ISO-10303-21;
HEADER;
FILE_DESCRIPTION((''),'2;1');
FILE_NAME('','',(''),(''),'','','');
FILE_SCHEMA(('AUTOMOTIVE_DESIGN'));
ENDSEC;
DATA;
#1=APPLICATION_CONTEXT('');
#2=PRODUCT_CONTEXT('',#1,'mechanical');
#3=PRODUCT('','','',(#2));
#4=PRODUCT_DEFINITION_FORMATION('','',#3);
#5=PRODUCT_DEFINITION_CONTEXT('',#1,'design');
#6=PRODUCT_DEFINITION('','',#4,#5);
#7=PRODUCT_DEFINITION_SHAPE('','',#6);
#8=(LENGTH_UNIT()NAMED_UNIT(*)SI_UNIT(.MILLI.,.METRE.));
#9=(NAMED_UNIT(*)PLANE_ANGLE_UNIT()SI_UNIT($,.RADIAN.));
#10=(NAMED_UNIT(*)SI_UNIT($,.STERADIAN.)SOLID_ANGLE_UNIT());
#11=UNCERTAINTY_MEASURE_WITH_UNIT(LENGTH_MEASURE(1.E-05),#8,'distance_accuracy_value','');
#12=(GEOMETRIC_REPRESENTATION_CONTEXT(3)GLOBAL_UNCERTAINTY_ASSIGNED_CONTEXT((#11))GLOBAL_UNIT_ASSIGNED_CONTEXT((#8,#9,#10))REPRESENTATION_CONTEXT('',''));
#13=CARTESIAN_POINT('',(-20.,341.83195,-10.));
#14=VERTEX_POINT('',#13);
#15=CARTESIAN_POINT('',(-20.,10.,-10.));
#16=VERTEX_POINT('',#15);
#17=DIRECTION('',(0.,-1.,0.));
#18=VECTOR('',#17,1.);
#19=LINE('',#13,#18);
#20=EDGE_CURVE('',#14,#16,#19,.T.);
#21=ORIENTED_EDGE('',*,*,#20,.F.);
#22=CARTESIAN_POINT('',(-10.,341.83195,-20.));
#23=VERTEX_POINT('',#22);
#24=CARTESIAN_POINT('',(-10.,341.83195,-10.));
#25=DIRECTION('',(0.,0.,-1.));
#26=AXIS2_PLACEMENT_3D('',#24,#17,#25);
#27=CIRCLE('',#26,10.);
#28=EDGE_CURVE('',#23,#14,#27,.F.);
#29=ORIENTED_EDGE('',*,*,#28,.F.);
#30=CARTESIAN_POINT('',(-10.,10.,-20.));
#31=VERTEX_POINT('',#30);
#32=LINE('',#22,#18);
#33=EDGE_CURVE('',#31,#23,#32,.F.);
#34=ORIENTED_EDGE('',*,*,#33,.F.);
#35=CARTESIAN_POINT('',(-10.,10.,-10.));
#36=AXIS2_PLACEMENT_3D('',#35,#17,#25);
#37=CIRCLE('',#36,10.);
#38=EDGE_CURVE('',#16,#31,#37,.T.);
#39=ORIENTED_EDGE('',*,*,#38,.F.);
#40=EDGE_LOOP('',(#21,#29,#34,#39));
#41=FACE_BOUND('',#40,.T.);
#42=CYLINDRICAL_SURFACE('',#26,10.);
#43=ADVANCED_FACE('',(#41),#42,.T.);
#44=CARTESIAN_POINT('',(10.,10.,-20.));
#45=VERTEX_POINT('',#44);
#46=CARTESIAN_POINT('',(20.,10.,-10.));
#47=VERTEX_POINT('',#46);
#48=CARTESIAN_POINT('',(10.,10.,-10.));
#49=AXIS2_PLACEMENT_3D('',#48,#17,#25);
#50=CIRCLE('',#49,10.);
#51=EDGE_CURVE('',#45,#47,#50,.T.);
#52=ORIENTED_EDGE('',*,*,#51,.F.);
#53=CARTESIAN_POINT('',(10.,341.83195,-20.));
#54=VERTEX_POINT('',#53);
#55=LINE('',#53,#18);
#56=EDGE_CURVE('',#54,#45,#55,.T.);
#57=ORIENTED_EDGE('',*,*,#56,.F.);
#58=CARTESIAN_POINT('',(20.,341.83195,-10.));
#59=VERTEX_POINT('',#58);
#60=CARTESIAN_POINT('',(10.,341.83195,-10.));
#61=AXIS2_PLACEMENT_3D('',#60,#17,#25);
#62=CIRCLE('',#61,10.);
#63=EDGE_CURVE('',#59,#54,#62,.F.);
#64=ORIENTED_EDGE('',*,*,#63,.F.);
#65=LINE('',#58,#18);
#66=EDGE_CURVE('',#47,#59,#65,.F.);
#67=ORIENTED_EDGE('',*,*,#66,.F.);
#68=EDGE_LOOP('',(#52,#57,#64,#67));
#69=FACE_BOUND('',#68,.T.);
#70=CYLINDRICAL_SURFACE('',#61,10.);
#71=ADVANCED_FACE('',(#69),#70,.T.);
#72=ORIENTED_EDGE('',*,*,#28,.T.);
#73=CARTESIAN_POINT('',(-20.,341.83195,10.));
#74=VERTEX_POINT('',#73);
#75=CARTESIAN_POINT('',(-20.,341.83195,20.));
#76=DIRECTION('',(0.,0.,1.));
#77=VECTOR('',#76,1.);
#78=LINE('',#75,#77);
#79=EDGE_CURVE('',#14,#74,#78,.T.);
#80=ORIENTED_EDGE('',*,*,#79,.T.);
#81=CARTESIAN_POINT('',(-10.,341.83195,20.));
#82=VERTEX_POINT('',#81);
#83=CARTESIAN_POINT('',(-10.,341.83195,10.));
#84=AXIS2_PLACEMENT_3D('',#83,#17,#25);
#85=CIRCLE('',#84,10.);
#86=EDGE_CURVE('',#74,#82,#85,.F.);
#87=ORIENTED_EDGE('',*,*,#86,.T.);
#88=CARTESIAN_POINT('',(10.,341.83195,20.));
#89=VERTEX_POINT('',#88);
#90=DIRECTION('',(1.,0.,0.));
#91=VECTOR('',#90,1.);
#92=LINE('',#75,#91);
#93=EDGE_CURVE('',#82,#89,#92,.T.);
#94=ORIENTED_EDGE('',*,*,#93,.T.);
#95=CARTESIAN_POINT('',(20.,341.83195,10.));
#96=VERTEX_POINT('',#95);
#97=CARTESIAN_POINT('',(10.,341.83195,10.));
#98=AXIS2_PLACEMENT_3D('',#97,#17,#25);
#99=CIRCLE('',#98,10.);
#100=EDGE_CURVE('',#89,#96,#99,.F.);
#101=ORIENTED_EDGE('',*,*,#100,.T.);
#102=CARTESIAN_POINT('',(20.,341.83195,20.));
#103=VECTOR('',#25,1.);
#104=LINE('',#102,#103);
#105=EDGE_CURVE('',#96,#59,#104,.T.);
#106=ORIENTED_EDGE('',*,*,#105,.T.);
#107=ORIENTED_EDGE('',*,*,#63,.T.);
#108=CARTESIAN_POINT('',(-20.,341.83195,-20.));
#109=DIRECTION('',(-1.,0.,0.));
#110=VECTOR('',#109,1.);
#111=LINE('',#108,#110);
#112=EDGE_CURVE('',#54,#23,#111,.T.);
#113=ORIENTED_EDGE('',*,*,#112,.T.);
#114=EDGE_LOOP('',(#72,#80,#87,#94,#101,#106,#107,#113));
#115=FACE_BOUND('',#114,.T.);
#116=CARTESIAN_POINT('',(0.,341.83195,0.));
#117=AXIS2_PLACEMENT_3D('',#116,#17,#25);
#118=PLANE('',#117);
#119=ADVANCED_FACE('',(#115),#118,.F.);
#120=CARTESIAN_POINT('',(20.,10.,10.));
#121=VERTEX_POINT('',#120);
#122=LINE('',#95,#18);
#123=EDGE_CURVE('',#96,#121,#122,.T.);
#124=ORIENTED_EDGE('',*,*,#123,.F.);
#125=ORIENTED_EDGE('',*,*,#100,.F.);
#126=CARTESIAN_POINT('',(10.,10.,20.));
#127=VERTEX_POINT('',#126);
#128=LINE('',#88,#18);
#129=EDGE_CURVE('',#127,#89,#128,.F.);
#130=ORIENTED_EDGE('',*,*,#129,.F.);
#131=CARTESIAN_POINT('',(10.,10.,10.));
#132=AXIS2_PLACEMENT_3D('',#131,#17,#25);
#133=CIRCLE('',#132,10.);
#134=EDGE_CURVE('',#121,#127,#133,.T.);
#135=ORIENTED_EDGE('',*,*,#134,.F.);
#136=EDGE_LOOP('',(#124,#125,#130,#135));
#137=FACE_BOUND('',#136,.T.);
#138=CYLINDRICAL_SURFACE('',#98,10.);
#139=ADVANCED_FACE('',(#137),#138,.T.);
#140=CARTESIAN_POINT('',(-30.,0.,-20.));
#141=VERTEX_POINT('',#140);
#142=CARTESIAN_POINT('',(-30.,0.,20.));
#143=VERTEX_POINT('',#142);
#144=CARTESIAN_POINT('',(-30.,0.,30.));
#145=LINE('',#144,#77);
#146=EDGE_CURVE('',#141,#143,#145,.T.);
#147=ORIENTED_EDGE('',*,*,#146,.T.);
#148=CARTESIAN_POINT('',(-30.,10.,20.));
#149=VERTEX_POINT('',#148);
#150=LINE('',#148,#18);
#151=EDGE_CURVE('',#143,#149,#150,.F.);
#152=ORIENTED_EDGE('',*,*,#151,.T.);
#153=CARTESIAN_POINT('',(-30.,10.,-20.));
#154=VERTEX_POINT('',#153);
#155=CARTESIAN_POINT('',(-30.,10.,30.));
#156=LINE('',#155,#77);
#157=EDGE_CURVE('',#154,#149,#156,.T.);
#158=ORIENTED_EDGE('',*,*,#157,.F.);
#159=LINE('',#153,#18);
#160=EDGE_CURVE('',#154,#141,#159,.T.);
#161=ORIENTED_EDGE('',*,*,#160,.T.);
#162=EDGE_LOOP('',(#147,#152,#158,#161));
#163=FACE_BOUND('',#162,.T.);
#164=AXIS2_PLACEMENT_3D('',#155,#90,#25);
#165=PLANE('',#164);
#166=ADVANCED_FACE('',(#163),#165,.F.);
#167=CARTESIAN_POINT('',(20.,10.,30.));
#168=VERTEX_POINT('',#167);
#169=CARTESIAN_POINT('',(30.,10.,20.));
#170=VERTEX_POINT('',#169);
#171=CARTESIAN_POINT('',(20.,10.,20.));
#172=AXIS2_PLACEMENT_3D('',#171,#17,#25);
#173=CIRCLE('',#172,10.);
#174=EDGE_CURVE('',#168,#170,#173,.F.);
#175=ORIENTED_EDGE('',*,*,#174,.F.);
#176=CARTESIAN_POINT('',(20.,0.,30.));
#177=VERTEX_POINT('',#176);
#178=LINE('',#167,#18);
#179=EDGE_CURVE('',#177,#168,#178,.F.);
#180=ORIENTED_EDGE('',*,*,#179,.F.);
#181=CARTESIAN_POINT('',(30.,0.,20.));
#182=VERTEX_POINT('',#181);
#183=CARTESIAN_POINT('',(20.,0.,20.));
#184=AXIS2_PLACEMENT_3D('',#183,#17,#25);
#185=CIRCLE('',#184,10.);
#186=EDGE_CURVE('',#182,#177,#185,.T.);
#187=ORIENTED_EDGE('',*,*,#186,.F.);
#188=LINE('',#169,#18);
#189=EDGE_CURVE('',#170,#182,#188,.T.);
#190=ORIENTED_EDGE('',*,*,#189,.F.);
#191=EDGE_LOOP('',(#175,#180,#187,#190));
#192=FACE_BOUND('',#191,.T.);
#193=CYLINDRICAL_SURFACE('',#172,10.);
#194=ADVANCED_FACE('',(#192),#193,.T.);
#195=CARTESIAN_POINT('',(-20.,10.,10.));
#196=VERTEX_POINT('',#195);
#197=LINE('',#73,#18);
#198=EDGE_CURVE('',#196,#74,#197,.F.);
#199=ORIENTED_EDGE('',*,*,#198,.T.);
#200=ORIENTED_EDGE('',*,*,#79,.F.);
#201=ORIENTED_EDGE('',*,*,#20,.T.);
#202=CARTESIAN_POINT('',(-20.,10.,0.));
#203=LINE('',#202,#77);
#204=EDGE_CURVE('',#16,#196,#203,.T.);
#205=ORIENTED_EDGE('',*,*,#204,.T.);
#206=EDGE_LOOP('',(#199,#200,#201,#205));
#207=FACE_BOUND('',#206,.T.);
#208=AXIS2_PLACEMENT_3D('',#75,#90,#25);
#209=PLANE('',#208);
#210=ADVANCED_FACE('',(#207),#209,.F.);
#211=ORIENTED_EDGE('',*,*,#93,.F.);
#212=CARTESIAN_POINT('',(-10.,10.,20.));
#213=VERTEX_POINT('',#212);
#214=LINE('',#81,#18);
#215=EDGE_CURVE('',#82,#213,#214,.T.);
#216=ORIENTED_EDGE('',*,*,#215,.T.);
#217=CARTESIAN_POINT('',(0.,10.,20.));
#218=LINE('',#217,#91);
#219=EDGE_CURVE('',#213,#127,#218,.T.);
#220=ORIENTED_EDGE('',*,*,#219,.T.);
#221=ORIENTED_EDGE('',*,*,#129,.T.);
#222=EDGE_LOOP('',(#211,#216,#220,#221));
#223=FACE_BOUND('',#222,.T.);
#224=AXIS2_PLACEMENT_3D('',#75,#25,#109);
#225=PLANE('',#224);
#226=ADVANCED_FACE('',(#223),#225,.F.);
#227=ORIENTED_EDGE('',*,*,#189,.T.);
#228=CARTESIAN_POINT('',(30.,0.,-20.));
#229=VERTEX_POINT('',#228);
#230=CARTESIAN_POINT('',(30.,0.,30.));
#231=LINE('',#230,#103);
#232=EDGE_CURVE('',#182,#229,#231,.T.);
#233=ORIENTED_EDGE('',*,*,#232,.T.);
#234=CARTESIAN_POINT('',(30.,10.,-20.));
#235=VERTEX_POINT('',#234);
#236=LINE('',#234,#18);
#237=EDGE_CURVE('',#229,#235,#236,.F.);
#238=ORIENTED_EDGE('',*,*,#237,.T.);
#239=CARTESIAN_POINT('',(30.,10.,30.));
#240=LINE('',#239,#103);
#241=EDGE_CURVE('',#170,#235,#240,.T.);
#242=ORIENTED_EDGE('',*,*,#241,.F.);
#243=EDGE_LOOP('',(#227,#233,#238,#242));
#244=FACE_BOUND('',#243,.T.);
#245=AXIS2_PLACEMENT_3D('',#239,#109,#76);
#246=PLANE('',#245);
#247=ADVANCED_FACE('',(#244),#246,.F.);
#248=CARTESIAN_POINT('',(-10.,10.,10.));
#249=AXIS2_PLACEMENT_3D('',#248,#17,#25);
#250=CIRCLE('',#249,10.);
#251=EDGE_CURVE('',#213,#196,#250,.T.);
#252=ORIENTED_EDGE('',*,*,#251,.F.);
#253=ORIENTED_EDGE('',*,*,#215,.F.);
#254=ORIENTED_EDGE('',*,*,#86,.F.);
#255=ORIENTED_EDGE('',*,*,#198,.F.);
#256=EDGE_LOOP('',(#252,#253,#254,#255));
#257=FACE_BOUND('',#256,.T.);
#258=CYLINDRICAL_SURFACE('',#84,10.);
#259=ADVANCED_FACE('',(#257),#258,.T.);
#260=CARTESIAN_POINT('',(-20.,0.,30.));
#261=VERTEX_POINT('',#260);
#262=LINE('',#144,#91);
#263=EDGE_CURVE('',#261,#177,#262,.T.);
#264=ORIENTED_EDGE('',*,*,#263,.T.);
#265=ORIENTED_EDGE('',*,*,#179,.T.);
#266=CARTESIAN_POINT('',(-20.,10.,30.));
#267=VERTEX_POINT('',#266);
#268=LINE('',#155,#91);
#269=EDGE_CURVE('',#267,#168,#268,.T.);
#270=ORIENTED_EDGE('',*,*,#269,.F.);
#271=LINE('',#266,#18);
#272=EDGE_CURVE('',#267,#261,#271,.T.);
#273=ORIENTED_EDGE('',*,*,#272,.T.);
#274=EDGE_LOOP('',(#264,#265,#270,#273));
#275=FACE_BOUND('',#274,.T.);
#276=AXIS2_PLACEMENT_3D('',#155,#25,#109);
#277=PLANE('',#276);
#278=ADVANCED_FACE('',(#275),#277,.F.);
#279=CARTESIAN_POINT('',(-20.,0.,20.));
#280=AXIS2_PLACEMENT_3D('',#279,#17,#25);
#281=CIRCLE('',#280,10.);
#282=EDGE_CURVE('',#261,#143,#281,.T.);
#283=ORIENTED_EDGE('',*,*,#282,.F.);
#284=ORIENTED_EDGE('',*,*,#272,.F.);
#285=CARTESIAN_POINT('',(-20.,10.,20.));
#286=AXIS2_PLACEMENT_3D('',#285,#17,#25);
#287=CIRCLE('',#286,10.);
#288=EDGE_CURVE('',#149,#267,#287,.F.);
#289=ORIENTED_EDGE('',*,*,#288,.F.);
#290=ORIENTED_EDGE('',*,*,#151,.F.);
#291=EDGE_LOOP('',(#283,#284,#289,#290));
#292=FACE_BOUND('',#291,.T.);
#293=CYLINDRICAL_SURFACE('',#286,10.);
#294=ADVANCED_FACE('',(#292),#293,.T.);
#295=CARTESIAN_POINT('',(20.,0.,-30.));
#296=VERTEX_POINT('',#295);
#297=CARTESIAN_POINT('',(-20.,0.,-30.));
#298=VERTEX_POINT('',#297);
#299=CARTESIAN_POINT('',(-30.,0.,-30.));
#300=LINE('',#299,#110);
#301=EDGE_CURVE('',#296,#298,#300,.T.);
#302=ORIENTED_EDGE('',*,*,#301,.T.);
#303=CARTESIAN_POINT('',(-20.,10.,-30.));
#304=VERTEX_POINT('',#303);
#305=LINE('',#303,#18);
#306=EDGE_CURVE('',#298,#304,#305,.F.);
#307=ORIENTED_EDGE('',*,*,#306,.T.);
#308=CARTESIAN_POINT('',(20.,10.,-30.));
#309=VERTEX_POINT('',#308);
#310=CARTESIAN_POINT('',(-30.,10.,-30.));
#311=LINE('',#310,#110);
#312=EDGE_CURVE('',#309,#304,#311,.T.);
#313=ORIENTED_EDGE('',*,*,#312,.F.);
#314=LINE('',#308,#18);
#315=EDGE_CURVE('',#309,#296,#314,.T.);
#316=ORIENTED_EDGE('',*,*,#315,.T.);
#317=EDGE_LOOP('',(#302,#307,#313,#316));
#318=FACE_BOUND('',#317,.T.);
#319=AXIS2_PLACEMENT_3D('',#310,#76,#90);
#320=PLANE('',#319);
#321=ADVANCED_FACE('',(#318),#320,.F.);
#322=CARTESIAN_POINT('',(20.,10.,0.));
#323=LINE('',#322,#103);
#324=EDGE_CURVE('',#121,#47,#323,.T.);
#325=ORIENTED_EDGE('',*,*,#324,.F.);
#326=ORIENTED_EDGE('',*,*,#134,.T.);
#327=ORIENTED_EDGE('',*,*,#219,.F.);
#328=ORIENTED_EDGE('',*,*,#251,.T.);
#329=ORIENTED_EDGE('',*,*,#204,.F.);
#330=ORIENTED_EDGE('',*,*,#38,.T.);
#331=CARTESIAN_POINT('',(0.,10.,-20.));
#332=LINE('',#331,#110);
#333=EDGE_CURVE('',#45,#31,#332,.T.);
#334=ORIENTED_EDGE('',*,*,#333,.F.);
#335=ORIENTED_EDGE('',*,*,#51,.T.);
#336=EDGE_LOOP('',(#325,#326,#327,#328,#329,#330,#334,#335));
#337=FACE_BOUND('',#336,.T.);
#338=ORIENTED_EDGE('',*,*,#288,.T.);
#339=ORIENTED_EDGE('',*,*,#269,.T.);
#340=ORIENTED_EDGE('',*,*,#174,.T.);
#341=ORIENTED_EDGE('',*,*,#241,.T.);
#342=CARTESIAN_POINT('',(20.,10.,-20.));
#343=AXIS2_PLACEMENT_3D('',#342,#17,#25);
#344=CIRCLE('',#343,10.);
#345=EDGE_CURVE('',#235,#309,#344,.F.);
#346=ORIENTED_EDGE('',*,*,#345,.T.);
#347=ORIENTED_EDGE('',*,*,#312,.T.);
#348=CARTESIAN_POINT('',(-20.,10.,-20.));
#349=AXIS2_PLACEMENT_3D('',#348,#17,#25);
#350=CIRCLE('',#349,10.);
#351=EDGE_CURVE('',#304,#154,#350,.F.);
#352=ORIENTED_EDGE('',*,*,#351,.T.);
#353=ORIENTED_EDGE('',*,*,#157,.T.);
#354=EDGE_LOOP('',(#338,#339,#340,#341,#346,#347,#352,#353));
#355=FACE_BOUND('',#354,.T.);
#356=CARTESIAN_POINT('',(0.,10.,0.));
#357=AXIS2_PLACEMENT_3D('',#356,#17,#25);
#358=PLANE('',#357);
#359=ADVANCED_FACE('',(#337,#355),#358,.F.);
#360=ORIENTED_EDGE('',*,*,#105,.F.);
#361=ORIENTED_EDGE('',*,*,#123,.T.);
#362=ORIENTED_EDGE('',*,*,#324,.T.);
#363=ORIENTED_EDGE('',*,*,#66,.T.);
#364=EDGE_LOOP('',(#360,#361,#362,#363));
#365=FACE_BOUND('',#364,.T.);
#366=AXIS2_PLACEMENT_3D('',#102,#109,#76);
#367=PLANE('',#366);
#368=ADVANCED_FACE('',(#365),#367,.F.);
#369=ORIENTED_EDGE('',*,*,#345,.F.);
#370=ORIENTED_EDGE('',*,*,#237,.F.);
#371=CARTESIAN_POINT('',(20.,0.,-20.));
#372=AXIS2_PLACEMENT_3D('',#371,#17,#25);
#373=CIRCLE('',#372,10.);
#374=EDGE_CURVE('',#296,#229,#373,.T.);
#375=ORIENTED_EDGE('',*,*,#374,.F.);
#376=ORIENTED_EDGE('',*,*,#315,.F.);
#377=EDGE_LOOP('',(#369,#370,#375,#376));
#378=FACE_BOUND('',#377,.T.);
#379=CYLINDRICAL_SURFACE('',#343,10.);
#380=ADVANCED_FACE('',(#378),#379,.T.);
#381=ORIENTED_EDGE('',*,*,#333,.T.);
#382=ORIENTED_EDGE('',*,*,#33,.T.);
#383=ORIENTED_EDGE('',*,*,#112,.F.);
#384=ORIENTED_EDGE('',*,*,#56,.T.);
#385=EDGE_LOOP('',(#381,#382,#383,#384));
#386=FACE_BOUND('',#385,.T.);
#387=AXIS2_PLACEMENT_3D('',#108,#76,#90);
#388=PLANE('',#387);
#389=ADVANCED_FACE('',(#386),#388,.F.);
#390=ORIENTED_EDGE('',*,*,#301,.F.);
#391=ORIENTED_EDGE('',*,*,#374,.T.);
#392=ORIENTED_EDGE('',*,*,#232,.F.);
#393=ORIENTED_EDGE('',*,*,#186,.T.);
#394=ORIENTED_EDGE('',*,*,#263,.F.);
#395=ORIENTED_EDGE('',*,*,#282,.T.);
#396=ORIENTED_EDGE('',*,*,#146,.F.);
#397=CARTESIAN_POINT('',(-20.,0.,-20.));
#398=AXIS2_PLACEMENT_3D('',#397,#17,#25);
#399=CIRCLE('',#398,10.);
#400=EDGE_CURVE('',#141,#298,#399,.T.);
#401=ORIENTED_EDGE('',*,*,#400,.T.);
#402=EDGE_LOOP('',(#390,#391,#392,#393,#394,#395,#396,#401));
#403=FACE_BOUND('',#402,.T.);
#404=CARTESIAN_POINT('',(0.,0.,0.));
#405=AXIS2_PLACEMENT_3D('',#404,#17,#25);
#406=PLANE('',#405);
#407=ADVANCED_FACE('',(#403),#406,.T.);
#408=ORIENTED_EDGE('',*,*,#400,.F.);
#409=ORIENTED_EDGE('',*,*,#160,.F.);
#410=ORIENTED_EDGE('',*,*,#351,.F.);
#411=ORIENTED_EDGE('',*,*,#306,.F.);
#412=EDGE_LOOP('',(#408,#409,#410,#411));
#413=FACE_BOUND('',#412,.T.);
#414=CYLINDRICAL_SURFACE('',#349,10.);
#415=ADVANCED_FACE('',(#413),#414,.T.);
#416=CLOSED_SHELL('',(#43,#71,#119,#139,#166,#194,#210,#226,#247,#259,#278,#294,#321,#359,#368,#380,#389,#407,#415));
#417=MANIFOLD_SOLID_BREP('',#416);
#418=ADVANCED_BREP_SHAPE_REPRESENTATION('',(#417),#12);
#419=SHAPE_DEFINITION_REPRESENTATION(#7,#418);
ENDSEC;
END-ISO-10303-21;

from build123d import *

# Parameters (mm, degrees)
SKETCH1_W           = 60
SKETCH1_H           = 60
BOSS_EXTRUDE1_DEPTH = 10
SKETCH2_W           = 40
SKETCH2_H           = 40
BOSS_EXTRUDE2_DEPTH = 341.83195
FILLET1_R           = 10


with BuildPart() as part:
    # Sketch1 → Boss-Extrude1 (new body)
    with BuildSketch(Plane(origin=(0, 0, 0), x_dir=(1, 0, 0), z_dir=(0, 1, 0))):
        Rectangle(SKETCH1_W, SKETCH1_H)
    extrude(amount=BOSS_EXTRUDE1_DEPTH)

    # Sketch2 → Boss-Extrude2 (add)
    with BuildSketch(Plane(origin=(0, 0, 0), x_dir=(1, 0, 0), z_dir=(0, 1, 0))):
        Rectangle(SKETCH2_W, SKETCH2_H)
    extrude(amount=BOSS_EXTRUDE2_DEPTH)

    # Fillet1
    fillet1_edges = [part.edges().sort_by_distance(p)[0] for p in [
        (20, 175.915975, 20),
        (20, 175.915975, -20),
        (-20, 175.915975, -20),
        (-20, 175.915975, 20),
        (30, 5, 30),
        (-30, 5, 30),
        (-30, 5, -30),
        (30, 5, -30),
    ]]
    fillet(fillet1_edges, radius=FILLET1_R)


solid = part.part
